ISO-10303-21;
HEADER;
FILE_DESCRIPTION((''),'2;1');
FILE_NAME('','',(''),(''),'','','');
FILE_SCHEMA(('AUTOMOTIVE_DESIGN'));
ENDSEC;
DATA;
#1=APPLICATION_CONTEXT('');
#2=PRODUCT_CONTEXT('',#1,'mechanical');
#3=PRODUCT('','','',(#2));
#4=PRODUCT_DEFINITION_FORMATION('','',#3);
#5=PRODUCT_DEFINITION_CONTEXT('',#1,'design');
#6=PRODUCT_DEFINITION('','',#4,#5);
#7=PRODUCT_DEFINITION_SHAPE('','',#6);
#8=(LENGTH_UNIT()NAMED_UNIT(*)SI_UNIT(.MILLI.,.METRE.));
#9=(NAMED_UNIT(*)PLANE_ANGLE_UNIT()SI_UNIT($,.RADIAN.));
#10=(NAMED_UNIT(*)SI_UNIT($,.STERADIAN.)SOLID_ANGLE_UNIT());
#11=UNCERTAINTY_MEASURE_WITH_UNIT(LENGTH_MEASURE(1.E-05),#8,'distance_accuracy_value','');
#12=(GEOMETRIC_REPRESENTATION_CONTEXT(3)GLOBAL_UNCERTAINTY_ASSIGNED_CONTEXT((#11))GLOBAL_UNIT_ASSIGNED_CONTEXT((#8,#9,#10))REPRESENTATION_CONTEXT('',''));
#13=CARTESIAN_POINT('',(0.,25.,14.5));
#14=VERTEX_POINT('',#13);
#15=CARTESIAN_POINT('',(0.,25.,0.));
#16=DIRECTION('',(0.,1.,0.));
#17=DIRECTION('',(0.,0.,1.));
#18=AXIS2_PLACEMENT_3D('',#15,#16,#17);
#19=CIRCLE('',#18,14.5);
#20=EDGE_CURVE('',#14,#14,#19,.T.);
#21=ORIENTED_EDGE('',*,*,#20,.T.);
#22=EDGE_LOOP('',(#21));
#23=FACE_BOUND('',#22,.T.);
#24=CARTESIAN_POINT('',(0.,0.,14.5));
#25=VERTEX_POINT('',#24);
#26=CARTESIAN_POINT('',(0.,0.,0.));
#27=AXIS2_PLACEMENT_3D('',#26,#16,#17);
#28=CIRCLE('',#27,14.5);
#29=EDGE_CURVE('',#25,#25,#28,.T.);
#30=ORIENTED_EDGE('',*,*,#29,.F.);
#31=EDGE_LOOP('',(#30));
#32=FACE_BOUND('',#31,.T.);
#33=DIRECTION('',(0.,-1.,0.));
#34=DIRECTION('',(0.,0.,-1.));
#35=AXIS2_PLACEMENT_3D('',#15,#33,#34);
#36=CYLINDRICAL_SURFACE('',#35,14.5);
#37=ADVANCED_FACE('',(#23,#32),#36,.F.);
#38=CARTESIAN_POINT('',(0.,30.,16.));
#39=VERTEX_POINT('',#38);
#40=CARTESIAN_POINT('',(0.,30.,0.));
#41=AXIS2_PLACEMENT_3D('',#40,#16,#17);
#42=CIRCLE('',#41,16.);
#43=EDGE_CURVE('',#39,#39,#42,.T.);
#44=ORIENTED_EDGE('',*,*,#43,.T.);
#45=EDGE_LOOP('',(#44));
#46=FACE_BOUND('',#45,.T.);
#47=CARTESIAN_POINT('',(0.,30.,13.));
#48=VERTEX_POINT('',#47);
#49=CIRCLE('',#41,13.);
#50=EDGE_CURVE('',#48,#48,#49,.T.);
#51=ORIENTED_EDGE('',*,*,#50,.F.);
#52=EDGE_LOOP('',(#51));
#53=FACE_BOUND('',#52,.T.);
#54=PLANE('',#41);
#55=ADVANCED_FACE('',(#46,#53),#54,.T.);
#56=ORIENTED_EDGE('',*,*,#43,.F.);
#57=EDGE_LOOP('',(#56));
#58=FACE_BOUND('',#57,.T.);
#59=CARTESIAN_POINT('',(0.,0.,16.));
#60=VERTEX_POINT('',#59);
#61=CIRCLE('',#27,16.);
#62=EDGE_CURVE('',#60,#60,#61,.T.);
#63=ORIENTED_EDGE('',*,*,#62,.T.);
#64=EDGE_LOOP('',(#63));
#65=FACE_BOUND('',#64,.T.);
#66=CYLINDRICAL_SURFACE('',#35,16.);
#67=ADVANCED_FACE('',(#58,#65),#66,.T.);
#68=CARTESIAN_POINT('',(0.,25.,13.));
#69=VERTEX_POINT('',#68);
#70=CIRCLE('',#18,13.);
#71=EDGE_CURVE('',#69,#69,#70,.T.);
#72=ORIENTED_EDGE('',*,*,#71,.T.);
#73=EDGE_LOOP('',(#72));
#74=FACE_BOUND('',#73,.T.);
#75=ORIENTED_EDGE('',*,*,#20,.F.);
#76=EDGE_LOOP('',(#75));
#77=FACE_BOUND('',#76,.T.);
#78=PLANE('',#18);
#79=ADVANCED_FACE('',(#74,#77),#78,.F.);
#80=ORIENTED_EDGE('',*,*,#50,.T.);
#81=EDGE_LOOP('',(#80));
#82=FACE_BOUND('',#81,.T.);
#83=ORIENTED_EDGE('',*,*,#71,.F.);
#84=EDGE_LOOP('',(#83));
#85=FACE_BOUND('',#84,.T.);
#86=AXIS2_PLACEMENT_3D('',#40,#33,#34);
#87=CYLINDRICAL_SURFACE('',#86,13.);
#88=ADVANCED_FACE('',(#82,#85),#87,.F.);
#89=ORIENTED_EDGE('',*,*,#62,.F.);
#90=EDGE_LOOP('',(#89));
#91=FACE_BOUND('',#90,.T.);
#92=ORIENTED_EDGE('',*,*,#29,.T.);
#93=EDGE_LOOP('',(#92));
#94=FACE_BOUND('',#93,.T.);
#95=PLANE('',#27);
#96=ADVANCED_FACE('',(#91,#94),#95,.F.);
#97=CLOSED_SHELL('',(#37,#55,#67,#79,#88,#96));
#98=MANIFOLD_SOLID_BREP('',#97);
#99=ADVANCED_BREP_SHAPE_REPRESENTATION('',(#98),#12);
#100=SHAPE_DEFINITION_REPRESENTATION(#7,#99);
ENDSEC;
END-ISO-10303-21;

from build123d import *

# Parameters (mm, degrees)
SKETCH1_R           = 16
SKETCH1_R_2         = 14.5
BOSS_EXTRUDE1_DEPTH = 25
SKETCH2_R           = 16
SKETCH2_R_2         = 13
BOSS_EXTRUDE2_DEPTH = 5


with BuildPart() as part:
    # Sketch1 → Boss-Extrude1 (new body)
    with BuildSketch(Plane(origin=(0, 0, 0), x_dir=(1, 0, 0), z_dir=(0, 1, 0))):
        Circle(SKETCH1_R)
        Circle(SKETCH1_R_2, mode=Mode.SUBTRACT)
    extrude(amount=BOSS_EXTRUDE1_DEPTH)

    # Sketch2 → Boss-Extrude2 (add)
    with BuildSketch(Plane(origin=(0, 25, 0), x_dir=(1, 0, 0), z_dir=(0, 1, 0))):
        Circle(SKETCH2_R)
        Circle(SKETCH2_R_2, mode=Mode.SUBTRACT)
    extrude(amount=BOSS_EXTRUDE2_DEPTH)


solid = part.part
